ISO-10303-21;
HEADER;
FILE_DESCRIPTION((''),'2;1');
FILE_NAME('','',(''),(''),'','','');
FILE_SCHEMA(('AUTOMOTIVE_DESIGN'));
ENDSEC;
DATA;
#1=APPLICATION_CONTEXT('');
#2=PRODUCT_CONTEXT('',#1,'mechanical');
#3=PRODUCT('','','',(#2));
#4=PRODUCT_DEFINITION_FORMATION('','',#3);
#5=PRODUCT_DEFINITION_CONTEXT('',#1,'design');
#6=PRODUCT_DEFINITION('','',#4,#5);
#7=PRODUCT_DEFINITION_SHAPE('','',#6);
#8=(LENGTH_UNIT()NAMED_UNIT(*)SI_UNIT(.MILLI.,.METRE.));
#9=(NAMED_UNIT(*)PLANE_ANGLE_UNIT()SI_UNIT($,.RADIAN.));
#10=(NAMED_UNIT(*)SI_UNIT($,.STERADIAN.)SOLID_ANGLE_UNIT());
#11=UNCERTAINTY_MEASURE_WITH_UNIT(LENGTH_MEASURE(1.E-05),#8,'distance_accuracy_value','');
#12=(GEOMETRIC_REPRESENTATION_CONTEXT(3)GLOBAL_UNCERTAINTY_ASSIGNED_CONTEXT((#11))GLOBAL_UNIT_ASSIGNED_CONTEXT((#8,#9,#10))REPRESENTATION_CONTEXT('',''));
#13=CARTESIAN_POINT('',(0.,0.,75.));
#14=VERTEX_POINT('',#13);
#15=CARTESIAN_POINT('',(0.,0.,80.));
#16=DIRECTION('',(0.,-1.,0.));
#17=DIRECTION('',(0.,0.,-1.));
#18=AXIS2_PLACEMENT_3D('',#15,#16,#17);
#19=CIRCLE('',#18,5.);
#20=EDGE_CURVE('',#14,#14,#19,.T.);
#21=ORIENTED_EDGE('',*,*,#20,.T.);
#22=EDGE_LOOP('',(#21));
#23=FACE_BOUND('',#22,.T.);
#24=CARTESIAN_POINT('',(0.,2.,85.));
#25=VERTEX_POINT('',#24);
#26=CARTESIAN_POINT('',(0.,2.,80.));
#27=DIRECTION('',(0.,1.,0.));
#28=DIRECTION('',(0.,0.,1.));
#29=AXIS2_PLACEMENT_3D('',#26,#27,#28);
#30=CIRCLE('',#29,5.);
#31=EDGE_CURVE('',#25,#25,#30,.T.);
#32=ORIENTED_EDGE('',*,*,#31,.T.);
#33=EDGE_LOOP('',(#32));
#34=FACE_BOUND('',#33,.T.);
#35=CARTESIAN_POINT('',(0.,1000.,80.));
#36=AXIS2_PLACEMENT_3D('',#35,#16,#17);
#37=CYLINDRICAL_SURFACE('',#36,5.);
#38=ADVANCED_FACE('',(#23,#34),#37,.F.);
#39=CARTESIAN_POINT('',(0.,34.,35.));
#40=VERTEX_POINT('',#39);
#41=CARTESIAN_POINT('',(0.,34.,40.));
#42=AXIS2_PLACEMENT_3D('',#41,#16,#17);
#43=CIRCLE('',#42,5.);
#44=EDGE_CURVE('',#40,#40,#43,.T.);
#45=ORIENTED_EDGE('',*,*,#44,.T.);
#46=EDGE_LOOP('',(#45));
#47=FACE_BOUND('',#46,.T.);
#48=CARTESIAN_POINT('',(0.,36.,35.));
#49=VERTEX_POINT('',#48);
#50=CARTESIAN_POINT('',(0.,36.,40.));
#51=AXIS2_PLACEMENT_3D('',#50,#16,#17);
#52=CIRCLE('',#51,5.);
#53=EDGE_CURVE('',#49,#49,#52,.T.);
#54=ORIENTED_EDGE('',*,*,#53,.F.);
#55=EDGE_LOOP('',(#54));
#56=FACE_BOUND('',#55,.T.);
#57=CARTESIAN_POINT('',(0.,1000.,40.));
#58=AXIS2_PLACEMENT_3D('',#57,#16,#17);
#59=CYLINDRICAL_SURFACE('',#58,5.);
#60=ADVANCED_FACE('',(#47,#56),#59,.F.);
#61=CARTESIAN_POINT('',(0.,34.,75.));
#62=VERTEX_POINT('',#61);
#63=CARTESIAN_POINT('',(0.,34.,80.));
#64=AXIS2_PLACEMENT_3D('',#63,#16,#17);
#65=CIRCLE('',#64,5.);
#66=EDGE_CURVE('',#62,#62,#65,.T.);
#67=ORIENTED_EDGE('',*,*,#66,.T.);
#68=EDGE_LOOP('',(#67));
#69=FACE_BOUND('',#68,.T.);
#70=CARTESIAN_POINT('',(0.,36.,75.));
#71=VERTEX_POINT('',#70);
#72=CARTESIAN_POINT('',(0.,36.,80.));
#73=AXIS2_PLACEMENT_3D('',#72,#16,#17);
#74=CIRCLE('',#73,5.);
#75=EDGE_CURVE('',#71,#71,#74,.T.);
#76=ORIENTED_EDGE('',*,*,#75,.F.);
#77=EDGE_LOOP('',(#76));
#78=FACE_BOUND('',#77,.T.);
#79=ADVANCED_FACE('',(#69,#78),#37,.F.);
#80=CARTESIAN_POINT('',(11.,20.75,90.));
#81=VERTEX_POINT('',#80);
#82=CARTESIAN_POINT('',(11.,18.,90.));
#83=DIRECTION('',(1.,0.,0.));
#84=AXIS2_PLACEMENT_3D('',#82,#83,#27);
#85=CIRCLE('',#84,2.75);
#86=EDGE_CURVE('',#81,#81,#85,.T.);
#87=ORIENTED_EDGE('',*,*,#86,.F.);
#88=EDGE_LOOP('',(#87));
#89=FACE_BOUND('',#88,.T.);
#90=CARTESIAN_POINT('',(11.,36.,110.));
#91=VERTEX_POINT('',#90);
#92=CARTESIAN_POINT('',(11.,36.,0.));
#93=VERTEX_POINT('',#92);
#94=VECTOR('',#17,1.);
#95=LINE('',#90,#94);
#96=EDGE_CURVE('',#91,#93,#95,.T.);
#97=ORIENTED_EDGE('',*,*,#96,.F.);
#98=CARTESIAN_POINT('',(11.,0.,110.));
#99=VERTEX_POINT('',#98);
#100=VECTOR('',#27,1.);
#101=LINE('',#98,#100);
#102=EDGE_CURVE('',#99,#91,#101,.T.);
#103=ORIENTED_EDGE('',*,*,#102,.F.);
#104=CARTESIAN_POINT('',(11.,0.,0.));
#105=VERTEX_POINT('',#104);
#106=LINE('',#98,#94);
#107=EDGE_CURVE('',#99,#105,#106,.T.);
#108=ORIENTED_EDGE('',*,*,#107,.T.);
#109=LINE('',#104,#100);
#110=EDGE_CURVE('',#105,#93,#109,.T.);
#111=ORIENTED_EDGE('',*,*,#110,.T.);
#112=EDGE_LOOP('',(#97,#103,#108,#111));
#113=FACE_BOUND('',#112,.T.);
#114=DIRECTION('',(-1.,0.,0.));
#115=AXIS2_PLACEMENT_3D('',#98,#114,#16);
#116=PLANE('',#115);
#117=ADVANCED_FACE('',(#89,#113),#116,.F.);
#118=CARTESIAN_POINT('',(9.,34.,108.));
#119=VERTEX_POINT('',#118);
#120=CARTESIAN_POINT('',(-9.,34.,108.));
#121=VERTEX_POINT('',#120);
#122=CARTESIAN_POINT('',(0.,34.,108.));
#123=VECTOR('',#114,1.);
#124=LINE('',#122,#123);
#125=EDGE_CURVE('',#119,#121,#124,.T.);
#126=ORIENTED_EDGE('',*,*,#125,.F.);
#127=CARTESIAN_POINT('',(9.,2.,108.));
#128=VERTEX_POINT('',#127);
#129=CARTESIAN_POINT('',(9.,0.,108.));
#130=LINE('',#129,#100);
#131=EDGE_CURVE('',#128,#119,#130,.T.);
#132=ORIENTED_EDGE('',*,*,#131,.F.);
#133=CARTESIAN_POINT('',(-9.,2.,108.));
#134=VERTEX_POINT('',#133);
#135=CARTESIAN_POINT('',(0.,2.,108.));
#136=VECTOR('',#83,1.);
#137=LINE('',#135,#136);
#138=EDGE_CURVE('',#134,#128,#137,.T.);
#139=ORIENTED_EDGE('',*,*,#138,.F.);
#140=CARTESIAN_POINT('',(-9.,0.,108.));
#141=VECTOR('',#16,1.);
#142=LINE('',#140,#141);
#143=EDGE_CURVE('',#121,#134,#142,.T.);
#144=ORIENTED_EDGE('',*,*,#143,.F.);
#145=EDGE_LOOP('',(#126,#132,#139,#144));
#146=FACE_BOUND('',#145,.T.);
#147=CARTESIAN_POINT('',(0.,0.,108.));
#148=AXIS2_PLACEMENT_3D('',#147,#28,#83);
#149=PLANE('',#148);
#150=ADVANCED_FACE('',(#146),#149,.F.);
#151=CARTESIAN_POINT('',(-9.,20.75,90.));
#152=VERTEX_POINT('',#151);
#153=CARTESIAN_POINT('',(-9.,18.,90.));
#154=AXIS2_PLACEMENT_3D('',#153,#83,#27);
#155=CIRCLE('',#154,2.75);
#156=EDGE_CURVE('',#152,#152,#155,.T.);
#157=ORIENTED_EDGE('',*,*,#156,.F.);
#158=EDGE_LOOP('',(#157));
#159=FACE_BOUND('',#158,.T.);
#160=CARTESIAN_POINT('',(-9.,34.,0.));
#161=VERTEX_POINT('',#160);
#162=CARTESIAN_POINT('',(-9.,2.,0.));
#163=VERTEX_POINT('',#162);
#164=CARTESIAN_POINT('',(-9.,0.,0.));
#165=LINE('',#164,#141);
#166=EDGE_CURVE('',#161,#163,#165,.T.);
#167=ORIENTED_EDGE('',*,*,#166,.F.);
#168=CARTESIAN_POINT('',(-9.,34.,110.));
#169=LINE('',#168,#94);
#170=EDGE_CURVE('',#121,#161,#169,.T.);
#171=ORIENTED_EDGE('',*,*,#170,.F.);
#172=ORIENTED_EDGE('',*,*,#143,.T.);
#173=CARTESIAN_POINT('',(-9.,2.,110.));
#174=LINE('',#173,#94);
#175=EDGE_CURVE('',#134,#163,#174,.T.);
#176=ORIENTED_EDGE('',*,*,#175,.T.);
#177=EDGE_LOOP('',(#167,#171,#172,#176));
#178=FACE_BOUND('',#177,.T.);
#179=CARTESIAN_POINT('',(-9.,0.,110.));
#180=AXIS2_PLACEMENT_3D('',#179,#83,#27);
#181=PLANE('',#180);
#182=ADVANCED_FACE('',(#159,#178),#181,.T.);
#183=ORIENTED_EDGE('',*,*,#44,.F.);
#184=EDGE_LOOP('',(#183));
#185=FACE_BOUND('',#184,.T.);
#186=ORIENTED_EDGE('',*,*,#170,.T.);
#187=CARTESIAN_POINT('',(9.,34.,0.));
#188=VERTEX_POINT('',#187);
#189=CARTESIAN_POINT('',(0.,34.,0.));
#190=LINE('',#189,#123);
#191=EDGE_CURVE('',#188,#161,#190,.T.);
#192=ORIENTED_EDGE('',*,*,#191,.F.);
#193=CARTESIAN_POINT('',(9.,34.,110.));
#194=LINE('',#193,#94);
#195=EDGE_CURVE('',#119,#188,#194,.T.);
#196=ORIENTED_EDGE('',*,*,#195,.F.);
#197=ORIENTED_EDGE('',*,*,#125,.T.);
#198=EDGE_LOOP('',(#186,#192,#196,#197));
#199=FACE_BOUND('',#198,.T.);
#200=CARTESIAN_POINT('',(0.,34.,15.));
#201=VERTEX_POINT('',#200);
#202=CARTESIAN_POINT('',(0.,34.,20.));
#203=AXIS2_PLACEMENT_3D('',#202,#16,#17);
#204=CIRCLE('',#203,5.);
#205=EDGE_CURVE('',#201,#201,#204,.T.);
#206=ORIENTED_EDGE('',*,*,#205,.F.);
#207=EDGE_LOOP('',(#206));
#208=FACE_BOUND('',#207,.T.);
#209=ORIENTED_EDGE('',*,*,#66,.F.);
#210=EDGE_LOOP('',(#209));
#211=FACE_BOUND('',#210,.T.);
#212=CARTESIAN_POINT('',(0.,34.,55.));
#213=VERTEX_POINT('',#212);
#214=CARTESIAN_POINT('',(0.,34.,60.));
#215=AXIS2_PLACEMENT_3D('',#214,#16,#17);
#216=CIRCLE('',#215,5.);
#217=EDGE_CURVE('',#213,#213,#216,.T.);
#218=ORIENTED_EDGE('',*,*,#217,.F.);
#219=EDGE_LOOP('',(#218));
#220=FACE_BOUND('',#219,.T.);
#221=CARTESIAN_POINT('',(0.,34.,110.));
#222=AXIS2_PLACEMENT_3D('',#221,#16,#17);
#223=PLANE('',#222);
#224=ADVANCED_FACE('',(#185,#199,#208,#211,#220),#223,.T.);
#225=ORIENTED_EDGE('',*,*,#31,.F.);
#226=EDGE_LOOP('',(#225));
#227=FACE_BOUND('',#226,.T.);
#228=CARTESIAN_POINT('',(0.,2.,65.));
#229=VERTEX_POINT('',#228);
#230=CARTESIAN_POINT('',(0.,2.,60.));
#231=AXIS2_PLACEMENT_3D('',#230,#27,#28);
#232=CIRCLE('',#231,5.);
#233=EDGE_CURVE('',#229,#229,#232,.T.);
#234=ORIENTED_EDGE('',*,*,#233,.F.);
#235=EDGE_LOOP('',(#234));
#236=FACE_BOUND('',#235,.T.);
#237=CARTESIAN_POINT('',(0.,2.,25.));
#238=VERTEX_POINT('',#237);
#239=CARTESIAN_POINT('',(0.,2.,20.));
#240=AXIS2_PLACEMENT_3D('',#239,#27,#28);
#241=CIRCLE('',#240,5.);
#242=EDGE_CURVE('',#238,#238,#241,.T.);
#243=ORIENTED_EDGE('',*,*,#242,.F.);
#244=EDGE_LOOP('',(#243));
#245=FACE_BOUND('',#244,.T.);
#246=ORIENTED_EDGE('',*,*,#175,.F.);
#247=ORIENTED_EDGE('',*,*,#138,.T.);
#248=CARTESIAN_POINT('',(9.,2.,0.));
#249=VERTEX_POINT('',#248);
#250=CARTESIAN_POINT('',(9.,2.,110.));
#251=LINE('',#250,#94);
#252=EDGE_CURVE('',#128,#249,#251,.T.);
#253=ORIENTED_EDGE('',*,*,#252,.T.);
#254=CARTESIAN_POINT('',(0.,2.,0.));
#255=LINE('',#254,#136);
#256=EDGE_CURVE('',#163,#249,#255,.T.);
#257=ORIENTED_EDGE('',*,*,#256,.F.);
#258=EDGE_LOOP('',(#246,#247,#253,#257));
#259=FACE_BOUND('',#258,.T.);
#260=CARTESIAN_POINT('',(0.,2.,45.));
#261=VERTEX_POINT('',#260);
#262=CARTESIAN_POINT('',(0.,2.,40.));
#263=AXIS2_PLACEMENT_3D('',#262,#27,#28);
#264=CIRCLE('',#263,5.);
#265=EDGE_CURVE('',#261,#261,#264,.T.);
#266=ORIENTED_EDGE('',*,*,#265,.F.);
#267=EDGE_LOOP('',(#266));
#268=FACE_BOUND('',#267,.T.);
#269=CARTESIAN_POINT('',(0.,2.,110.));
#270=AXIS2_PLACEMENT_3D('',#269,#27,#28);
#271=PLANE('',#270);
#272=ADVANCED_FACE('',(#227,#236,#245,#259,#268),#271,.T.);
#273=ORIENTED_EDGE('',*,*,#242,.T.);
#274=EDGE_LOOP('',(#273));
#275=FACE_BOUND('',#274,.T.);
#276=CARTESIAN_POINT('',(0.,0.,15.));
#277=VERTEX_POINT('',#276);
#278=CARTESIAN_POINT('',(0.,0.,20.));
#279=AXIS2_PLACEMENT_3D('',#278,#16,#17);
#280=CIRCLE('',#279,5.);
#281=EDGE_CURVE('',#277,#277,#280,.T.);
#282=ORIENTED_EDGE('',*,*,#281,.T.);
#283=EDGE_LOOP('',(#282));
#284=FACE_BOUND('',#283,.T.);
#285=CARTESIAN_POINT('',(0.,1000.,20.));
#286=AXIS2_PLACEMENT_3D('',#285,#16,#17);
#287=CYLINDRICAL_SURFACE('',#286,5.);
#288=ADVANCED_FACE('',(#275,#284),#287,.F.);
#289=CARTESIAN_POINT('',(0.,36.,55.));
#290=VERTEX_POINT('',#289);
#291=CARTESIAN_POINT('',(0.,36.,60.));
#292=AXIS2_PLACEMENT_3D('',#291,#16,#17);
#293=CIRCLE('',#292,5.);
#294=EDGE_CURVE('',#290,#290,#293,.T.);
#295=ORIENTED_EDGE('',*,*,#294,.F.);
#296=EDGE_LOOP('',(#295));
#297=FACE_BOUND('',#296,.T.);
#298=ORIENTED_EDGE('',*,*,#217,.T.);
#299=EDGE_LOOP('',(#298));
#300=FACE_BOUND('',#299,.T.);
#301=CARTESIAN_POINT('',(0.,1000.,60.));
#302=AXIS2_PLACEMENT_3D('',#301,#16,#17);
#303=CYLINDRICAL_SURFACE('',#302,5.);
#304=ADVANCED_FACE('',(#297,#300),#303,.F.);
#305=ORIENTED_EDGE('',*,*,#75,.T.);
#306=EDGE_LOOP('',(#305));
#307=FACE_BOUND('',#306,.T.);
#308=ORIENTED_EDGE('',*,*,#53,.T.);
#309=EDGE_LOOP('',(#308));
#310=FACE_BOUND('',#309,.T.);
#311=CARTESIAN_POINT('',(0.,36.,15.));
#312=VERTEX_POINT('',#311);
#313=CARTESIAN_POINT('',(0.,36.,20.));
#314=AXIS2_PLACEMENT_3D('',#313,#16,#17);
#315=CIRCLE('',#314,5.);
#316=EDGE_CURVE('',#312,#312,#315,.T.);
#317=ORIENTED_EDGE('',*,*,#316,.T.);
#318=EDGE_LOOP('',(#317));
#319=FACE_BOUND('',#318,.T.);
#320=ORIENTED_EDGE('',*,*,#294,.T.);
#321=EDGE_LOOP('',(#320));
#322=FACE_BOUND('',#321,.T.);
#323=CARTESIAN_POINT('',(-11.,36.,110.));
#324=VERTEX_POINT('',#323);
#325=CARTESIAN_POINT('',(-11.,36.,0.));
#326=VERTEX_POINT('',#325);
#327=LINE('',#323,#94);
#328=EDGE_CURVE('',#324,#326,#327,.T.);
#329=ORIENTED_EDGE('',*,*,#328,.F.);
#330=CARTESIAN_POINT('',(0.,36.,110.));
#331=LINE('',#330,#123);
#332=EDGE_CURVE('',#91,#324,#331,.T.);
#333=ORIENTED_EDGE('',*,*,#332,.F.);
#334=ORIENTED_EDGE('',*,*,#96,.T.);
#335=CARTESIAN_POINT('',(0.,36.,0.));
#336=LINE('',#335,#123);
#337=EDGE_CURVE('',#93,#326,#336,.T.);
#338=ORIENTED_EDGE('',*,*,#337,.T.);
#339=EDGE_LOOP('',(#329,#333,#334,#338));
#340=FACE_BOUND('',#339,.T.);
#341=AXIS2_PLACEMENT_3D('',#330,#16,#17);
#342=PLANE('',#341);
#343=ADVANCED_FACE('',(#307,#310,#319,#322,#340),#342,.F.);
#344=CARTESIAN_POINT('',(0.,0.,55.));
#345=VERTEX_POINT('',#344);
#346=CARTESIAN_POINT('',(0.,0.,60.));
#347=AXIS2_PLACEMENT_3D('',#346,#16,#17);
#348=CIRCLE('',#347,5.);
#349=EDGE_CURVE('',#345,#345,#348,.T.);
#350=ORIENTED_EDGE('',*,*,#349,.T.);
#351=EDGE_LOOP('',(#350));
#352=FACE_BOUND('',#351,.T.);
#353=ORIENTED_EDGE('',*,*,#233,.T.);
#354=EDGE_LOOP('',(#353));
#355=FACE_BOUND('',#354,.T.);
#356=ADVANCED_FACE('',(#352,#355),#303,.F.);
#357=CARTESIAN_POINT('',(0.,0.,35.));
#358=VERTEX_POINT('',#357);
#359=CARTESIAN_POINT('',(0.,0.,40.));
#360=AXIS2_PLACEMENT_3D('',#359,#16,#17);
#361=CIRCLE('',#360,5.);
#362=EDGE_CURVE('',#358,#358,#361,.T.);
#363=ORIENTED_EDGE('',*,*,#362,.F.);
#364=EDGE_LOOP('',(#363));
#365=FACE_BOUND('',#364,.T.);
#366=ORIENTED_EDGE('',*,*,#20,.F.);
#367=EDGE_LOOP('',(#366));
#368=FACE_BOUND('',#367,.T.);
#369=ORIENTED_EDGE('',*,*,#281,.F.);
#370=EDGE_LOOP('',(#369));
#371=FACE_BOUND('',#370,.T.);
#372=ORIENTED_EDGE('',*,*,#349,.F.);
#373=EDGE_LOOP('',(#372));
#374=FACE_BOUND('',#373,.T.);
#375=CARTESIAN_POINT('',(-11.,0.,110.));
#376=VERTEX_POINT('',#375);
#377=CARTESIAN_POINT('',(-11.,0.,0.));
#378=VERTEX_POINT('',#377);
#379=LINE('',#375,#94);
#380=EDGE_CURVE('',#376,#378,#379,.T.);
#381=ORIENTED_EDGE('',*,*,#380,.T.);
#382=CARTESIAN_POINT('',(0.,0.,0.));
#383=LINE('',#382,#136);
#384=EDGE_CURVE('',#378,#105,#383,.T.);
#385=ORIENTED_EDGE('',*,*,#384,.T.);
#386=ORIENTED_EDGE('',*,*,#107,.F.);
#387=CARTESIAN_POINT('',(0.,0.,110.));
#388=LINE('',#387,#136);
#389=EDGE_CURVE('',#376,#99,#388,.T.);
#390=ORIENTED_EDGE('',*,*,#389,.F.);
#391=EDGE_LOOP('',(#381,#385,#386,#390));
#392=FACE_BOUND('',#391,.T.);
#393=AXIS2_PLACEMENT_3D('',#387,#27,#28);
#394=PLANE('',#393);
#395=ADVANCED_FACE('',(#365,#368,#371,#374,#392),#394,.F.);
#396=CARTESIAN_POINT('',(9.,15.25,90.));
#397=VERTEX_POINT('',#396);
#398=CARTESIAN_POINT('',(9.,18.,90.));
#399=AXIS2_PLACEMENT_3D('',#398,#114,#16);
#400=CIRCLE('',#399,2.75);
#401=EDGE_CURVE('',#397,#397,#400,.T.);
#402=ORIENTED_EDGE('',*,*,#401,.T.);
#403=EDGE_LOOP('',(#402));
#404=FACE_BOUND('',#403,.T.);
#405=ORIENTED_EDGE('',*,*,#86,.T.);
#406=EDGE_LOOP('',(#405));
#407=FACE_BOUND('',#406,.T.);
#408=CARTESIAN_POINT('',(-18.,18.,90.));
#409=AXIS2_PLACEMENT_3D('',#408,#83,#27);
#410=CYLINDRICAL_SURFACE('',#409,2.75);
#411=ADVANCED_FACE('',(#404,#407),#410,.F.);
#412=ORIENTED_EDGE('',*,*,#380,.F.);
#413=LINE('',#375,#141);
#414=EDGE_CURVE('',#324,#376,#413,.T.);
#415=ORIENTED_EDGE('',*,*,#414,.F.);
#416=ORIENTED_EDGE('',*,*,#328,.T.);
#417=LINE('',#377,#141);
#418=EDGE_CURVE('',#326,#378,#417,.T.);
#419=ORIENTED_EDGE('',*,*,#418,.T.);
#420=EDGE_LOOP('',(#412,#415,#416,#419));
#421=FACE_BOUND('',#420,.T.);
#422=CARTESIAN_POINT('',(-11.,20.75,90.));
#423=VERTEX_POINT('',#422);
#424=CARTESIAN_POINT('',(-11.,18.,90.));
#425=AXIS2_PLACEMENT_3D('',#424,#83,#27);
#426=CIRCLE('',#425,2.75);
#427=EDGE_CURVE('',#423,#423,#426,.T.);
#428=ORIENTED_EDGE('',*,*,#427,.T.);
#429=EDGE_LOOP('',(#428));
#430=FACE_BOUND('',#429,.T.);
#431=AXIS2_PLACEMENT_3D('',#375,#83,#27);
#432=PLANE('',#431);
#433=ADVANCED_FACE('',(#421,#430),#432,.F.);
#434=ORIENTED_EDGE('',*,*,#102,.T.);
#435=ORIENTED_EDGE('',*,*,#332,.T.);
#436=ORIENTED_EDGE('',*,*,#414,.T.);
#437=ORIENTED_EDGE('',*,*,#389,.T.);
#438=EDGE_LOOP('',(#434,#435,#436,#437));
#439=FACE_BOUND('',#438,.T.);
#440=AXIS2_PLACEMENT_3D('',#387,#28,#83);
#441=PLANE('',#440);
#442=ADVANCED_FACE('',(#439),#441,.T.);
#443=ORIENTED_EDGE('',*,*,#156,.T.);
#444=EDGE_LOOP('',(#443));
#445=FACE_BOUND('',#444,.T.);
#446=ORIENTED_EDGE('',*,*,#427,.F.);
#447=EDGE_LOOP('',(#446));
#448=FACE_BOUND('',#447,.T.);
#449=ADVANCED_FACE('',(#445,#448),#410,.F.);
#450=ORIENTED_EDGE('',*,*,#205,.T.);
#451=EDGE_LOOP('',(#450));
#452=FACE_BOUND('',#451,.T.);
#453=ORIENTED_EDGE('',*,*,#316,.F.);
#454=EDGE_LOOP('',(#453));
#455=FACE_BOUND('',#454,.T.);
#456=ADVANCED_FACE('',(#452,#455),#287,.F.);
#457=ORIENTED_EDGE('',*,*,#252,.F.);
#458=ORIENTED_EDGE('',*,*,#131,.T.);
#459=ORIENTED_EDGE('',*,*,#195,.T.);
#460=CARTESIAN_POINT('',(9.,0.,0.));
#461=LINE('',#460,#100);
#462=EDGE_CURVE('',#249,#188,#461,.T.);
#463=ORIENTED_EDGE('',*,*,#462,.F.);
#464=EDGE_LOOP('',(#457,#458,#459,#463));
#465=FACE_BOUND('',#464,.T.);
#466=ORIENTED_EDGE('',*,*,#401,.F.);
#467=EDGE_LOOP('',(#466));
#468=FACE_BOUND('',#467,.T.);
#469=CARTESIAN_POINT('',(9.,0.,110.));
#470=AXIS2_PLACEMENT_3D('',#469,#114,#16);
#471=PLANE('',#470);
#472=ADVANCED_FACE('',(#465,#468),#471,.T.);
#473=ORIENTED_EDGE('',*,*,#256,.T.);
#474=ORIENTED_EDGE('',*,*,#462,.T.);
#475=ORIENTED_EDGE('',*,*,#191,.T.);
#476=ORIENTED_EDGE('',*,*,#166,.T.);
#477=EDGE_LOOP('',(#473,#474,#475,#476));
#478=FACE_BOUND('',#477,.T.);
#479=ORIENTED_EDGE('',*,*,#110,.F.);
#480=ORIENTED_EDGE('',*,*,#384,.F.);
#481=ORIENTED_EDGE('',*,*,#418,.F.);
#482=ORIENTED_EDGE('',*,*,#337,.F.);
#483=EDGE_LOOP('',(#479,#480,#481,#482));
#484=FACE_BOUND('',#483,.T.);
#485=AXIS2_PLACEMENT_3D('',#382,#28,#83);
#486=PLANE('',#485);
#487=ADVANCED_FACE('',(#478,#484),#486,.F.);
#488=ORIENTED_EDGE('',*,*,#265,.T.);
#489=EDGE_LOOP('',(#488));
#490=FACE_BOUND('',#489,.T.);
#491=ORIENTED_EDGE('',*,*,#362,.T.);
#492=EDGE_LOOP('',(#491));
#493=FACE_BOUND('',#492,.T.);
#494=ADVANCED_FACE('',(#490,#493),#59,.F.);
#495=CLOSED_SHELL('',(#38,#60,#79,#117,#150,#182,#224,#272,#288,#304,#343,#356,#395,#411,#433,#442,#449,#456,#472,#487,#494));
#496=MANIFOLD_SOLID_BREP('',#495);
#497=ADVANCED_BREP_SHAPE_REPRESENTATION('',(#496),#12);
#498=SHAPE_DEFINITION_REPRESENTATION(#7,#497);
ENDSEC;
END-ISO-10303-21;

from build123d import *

# Parameters (mm, degrees)
ESBO_O1_W                = 22
ESBO_O1_H                = 36
RESSALTO_EXTRUS_O1_DEPTH = 110
CASCA1_T                 = -2
ESBO_O2_R                = 5
CORTE_EXTRUS_O1_DEPTH    = 1000
ESBO_O3_R                = 2.75
CORTE_EXTRUS_O2_DEPTH    = 29


with BuildPart() as part:
    # Esboço1 → Ressalto-extrusão1 (new body)
    with BuildSketch(Plane.XY):
        with Locations((0, 18)):
            Rectangle(ESBO_O1_W, ESBO_O1_H)
    extrude(amount=RESSALTO_EXTRUS_O1_DEPTH)

    # Casca1
    casca1_openings = [part.faces().sort_by_distance(p)[0] for p in [
        (0, 18, 0),
    ]]
    offset(amount=CASCA1_T, openings=casca1_openings, kind=Kind.INTERSECTION)

    # Esboço2 → Corte-extrusão1 (cut)
    with BuildSketch(Plane(origin=(0, 0, 0), x_dir=(-1, 0, 0), z_dir=(0, -1, 0))):
        with Locations(Location((0, -20, 0), (0, 0, 90))):
            Circle(ESBO_O2_R)
        with Locations(Location((0, -40, 0), (0, 0, 90))):
            Circle(ESBO_O2_R)
        with Locations(Location((0, -60, 0), (0, 0, 90))):
            Circle(ESBO_O2_R)
        with Locations(Location((0, -80, 0), (0, 0, 90))):
            Circle(ESBO_O2_R)
    extrude(amount=-CORTE_EXTRUS_O1_DEPTH, mode=Mode.SUBTRACT)

    # Esboço3 → Corte-extrusão2 (cut)
    with BuildSketch(Plane(origin=(11, 0, 0), x_dir=(0, 0, -1), z_dir=(1, 0, 0))):
        with Locations(Location((-90, 18, 0), (0, 0, 90))):
            Circle(ESBO_O3_R)
    extrude(amount=-CORTE_EXTRUS_O2_DEPTH, mode=Mode.SUBTRACT)


solid = part.part
